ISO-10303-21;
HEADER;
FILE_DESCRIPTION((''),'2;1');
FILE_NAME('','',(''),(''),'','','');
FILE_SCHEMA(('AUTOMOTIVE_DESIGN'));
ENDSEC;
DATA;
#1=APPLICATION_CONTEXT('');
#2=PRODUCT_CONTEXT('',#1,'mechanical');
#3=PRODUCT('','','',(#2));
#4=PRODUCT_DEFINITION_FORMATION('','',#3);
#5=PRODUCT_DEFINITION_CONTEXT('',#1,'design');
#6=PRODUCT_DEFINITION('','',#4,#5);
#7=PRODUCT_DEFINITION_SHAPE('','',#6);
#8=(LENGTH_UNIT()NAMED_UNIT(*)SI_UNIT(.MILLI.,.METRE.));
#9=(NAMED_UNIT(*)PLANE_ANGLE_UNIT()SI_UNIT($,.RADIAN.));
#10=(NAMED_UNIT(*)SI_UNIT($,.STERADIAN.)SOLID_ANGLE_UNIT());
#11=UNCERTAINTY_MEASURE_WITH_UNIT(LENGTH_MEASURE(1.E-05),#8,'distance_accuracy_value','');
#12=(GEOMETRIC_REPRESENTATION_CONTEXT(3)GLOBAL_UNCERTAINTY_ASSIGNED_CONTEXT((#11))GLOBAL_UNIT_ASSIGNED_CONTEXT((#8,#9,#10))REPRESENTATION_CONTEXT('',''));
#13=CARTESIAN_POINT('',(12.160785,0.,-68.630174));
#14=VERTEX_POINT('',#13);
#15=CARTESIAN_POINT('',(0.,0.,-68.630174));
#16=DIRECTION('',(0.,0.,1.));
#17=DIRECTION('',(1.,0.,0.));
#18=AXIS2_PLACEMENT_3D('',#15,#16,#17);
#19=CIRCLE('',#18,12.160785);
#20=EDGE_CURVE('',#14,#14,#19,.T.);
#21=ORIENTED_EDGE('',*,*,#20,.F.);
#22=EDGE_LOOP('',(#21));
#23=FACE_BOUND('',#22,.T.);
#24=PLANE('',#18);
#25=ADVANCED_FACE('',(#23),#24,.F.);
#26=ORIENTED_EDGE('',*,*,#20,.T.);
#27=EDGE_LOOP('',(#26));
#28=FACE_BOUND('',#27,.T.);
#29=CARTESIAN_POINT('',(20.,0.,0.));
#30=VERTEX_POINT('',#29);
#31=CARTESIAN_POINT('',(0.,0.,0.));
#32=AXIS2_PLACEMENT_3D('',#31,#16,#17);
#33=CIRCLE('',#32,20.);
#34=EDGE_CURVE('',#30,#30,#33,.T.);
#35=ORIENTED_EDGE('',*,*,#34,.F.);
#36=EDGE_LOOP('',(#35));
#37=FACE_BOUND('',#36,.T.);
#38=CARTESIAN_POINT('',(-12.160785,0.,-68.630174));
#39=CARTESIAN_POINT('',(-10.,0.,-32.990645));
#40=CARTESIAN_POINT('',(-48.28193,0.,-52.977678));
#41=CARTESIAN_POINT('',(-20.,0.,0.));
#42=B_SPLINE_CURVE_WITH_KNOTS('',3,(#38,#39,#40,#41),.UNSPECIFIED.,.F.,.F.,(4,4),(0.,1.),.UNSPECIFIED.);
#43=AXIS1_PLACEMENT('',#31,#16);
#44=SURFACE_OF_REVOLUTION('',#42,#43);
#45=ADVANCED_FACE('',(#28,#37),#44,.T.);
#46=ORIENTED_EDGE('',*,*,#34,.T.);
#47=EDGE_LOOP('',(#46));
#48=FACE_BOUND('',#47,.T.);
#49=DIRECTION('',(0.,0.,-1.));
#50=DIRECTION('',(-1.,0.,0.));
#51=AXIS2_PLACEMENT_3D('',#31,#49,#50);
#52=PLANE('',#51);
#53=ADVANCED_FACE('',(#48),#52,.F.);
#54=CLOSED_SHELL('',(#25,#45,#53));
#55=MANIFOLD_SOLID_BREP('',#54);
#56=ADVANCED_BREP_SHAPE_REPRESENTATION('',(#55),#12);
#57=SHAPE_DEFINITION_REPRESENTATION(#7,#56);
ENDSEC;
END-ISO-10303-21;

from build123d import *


with BuildPart() as part:
    # Sketch2 → Revolve1 (revolve)
    with BuildSketch(Plane(origin=(0, 0, 0), x_dir=(1, 0, 0), z_dir=(0, 1, 0))):
        with BuildLine():
            Line((0, 0), (0, 68.630174142))
            Line((0, 68.630174142), (-12.160785243, 68.630174142))
            add(Edge.make_bspline(
                [(-20, 0), (-48.281929528, 52.977678285), (-10, 32.990645114), (-12.160785243, 68.630174142)],
                knots=[0, 0, 0, 0, 1, 1, 1, 1], degree=3))
            Line((-20, 0), (0, 0))
        make_face()
    revolve(axis=Axis((0, 0, 0), (0, 0, -1)))


solid = part.part
